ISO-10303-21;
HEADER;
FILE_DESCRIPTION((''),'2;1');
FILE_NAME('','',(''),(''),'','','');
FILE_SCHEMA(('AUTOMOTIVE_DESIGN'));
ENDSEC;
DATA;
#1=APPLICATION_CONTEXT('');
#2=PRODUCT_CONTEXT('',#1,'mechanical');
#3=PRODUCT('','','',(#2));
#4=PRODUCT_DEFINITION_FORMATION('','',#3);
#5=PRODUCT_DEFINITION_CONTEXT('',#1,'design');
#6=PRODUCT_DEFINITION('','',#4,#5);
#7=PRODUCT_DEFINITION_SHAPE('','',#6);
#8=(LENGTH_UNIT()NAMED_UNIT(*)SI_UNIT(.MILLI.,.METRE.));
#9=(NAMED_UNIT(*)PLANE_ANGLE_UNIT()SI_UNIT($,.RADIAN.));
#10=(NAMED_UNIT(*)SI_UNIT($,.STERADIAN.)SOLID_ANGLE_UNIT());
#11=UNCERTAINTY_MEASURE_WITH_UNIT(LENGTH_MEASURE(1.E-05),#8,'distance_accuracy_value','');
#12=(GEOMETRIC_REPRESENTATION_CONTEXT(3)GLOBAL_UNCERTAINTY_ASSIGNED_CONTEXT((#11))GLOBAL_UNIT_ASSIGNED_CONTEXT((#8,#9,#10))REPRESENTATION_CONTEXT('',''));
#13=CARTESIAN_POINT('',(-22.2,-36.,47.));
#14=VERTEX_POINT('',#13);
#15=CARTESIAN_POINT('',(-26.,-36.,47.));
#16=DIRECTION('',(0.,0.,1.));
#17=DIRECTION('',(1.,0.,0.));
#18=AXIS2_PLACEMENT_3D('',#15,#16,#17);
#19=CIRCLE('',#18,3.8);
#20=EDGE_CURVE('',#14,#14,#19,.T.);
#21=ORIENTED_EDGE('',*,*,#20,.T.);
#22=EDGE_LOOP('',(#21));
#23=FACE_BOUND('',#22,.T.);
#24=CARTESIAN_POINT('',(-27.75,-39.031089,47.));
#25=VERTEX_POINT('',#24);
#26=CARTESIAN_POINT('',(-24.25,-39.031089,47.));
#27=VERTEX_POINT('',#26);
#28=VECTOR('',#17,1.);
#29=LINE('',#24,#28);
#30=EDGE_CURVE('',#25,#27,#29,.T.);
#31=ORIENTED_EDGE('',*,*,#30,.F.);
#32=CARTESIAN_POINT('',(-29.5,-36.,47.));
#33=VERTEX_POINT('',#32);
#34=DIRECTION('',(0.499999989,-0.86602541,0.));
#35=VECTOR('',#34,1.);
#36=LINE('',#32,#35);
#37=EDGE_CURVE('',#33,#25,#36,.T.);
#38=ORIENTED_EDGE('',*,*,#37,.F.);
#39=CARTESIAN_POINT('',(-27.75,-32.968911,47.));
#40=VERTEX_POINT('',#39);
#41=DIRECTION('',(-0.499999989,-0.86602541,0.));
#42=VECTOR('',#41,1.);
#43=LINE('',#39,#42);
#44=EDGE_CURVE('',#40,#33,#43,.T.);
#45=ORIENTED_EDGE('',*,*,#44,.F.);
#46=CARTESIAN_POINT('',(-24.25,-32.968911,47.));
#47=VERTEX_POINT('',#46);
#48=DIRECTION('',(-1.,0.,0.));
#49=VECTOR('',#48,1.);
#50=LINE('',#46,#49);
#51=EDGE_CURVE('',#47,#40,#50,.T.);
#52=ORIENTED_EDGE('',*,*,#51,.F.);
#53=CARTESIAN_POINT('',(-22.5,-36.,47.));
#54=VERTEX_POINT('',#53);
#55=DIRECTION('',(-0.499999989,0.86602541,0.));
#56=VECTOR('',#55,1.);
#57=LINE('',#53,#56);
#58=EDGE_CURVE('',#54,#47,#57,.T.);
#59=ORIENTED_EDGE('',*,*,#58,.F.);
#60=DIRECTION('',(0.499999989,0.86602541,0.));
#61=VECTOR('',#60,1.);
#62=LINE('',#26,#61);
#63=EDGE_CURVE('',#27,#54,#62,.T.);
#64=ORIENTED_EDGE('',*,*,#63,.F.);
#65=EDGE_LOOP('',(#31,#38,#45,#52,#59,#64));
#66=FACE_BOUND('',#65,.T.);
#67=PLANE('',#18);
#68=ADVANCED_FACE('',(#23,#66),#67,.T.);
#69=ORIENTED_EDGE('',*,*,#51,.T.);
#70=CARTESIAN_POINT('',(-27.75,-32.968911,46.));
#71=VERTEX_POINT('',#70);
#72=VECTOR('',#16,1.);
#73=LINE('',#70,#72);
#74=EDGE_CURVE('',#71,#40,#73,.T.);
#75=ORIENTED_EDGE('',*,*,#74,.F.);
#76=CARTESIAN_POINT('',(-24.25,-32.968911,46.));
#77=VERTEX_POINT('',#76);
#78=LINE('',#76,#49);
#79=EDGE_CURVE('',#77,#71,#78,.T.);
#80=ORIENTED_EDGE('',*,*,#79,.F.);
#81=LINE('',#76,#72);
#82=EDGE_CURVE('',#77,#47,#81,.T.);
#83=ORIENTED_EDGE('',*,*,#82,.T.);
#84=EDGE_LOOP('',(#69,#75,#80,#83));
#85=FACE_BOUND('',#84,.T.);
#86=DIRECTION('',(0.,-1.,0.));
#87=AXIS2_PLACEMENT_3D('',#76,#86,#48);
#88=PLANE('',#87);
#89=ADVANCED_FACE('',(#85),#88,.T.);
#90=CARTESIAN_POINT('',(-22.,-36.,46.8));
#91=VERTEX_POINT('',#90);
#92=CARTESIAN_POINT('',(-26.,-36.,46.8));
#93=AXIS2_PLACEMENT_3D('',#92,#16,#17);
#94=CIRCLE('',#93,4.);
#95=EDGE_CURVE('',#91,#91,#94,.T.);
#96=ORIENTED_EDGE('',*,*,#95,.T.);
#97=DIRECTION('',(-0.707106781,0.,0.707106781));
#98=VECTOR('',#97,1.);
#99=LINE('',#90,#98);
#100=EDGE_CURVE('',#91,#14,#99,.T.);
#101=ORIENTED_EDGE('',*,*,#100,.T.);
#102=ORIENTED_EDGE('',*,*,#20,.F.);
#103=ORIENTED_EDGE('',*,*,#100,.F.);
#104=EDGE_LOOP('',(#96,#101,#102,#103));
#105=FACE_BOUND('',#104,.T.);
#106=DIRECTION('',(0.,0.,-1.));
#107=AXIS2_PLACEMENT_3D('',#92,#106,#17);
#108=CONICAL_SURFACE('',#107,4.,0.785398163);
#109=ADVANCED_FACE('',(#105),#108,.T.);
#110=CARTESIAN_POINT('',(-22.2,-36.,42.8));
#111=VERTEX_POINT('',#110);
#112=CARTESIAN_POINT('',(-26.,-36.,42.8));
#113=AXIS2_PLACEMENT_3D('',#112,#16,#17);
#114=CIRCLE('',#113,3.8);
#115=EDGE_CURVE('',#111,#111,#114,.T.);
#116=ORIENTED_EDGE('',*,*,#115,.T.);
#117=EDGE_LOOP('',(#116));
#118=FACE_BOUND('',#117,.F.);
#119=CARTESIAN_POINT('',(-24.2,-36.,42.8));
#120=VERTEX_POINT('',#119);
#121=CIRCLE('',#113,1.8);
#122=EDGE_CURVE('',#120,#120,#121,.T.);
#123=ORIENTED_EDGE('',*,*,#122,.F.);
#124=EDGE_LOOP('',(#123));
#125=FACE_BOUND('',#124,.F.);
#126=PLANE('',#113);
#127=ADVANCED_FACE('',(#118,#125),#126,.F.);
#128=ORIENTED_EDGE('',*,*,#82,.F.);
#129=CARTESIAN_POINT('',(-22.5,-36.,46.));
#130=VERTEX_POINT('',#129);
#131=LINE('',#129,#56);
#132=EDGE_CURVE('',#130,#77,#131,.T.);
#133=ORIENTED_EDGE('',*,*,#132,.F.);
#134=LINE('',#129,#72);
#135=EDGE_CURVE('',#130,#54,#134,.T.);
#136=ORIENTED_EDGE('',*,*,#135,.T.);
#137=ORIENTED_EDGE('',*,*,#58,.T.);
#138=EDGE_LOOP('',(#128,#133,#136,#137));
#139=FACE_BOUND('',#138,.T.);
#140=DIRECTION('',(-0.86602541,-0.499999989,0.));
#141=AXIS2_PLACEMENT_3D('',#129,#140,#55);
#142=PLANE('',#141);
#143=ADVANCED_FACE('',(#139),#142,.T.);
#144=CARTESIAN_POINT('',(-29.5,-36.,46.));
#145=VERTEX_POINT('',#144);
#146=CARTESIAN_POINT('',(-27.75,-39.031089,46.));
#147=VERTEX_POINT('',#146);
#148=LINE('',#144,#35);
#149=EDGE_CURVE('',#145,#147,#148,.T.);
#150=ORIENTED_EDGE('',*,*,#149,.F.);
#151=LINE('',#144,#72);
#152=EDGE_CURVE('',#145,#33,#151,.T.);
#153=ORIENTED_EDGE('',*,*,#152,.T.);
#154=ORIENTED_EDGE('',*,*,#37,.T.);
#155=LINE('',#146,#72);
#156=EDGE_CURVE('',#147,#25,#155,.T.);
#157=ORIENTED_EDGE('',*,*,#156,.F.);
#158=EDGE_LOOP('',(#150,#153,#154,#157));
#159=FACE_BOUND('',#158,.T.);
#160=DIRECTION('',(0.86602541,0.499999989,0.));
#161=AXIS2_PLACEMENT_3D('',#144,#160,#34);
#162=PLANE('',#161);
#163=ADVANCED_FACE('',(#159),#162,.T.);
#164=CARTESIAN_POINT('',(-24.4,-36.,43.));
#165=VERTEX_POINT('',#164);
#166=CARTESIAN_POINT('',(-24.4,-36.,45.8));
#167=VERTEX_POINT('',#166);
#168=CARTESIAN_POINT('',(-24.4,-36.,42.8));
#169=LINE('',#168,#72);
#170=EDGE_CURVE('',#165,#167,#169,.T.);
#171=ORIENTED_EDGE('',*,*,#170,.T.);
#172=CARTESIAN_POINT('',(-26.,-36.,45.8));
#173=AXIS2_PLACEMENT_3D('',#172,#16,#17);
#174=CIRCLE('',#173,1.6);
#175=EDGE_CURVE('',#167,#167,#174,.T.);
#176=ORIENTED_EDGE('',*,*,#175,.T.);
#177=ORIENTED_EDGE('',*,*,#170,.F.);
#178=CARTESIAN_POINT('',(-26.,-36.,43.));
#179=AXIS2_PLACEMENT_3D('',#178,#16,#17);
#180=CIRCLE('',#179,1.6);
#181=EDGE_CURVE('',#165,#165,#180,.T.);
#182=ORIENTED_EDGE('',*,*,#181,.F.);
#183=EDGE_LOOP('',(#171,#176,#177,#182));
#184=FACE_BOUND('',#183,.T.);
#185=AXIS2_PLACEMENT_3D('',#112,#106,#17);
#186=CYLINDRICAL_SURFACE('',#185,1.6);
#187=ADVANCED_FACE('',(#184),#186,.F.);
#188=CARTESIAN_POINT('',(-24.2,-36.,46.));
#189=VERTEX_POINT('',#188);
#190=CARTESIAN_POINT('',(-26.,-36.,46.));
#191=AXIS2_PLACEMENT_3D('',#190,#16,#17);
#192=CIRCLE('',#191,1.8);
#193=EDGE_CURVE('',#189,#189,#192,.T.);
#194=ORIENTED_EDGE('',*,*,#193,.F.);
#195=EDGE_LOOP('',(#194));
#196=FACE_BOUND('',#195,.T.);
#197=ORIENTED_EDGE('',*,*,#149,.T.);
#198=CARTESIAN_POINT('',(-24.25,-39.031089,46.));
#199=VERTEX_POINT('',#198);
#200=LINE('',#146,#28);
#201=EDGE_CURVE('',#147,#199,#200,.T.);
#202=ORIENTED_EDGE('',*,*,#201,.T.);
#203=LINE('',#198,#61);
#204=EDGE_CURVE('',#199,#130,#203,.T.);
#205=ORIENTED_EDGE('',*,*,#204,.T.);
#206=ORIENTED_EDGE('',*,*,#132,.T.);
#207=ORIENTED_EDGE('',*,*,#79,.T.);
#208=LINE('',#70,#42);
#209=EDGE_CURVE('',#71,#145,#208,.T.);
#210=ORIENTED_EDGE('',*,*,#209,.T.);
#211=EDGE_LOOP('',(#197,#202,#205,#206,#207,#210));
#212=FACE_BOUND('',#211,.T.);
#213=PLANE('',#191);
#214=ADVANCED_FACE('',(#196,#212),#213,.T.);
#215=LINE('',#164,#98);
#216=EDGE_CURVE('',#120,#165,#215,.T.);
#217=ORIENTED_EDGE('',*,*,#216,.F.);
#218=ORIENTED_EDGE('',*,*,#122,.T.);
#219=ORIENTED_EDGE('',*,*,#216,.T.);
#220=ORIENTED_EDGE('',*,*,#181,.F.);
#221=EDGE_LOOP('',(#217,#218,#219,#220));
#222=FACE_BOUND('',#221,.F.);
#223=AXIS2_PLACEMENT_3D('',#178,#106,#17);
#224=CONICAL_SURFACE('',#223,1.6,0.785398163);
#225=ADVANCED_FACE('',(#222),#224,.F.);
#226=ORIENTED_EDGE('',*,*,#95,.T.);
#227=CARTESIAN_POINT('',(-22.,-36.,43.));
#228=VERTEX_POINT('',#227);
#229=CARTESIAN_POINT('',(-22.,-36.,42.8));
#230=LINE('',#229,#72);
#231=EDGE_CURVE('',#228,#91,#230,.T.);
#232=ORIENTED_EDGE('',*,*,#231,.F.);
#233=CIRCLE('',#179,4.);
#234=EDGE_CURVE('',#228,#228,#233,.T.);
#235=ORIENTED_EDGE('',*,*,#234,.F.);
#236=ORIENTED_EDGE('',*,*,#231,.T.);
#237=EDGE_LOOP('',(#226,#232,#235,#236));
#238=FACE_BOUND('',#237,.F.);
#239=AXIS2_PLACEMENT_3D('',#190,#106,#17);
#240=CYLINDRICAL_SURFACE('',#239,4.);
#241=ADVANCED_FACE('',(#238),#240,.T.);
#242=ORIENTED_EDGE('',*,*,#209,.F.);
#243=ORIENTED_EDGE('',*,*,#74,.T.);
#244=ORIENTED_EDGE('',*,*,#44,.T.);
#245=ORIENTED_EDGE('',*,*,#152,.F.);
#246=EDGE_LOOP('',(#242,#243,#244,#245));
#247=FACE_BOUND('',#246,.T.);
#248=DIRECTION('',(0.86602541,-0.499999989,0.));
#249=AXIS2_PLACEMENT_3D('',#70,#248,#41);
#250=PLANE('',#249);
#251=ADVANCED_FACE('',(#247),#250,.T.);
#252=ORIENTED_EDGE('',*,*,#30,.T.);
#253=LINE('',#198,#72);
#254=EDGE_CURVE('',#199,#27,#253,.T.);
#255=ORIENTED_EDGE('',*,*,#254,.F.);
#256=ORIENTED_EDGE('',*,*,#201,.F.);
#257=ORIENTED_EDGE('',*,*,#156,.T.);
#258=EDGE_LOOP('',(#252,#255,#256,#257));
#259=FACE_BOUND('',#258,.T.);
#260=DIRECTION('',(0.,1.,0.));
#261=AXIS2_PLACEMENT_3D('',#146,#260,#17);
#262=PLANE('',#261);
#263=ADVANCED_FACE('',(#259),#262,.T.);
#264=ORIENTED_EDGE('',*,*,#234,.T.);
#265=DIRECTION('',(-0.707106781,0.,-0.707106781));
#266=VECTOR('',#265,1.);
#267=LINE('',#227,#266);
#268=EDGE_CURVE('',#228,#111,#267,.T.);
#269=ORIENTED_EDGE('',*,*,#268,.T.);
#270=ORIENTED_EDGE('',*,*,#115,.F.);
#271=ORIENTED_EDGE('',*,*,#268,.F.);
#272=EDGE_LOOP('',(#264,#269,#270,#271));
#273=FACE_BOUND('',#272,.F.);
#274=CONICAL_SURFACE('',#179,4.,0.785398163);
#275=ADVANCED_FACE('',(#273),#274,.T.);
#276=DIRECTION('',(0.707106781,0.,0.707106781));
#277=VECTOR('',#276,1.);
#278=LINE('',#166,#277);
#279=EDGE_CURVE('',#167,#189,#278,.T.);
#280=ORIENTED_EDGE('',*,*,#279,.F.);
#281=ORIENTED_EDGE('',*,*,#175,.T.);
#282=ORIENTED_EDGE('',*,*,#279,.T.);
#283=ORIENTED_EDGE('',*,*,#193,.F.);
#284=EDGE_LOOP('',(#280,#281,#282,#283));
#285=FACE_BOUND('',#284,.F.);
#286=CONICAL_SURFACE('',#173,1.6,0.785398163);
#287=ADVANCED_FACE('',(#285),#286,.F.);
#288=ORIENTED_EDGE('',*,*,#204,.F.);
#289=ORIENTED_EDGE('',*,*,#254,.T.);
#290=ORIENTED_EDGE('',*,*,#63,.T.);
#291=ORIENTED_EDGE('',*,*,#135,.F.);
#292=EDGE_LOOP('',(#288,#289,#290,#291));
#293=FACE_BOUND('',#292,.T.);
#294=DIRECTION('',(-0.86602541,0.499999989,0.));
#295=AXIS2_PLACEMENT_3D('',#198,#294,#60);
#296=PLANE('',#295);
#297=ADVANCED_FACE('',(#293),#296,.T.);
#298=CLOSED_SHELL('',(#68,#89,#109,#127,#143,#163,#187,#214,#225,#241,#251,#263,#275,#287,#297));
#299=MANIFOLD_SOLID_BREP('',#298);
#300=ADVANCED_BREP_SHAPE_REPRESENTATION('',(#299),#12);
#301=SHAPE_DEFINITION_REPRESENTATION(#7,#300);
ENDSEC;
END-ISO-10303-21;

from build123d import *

# Parameters (mm, degrees)
SKETCH182_R     = 4
SKETCH182_R_2   = 1.6
PAD075_DEPTH    = 3.2
SKETCH183_R     = 4
PAD076_DEPTH    = 1
CHAMFER032_SIZE = 0.2


with BuildPart() as part:
    # Sketch182 → Pad075 (new body)
    with BuildSketch(Plane.XY):
        Circle(SKETCH182_R)
        Circle(SKETCH182_R_2, mode=Mode.SUBTRACT)
    extrude(amount=PAD075_DEPTH)

    # Sketch183 (on Face4 of Pad075) → Pad076 (join)
    with BuildSketch(Plane.XY.offset(3.2)):
        Circle(SKETCH183_R)
        Polygon((3.5, 0), (1.75, 3.031089), (-1.75, 3.031089), (-3.5, 0), (-1.75, -3.031089), (1.75, -3.031089), align=None, mode=Mode.SUBTRACT)
    extrude(amount=PAD076_DEPTH)

    # Chamfer032
    chamfer032_edges = [part.edges().sort_by_distance(p)[0] for p in [
        (-1.6, 0, 3.2),
        (-1.6, 0, 0),
        (-4, 0, 0),
        (-4, 0, 4.2),
    ]]
    chamfer(chamfer032_edges, length=CHAMFER032_SIZE)


with BuildPart() as part_1:
    # Body049 placement: moved
    add(part.part.moved(Location((-26, -36, 42.8))))


solid = part_1.part
